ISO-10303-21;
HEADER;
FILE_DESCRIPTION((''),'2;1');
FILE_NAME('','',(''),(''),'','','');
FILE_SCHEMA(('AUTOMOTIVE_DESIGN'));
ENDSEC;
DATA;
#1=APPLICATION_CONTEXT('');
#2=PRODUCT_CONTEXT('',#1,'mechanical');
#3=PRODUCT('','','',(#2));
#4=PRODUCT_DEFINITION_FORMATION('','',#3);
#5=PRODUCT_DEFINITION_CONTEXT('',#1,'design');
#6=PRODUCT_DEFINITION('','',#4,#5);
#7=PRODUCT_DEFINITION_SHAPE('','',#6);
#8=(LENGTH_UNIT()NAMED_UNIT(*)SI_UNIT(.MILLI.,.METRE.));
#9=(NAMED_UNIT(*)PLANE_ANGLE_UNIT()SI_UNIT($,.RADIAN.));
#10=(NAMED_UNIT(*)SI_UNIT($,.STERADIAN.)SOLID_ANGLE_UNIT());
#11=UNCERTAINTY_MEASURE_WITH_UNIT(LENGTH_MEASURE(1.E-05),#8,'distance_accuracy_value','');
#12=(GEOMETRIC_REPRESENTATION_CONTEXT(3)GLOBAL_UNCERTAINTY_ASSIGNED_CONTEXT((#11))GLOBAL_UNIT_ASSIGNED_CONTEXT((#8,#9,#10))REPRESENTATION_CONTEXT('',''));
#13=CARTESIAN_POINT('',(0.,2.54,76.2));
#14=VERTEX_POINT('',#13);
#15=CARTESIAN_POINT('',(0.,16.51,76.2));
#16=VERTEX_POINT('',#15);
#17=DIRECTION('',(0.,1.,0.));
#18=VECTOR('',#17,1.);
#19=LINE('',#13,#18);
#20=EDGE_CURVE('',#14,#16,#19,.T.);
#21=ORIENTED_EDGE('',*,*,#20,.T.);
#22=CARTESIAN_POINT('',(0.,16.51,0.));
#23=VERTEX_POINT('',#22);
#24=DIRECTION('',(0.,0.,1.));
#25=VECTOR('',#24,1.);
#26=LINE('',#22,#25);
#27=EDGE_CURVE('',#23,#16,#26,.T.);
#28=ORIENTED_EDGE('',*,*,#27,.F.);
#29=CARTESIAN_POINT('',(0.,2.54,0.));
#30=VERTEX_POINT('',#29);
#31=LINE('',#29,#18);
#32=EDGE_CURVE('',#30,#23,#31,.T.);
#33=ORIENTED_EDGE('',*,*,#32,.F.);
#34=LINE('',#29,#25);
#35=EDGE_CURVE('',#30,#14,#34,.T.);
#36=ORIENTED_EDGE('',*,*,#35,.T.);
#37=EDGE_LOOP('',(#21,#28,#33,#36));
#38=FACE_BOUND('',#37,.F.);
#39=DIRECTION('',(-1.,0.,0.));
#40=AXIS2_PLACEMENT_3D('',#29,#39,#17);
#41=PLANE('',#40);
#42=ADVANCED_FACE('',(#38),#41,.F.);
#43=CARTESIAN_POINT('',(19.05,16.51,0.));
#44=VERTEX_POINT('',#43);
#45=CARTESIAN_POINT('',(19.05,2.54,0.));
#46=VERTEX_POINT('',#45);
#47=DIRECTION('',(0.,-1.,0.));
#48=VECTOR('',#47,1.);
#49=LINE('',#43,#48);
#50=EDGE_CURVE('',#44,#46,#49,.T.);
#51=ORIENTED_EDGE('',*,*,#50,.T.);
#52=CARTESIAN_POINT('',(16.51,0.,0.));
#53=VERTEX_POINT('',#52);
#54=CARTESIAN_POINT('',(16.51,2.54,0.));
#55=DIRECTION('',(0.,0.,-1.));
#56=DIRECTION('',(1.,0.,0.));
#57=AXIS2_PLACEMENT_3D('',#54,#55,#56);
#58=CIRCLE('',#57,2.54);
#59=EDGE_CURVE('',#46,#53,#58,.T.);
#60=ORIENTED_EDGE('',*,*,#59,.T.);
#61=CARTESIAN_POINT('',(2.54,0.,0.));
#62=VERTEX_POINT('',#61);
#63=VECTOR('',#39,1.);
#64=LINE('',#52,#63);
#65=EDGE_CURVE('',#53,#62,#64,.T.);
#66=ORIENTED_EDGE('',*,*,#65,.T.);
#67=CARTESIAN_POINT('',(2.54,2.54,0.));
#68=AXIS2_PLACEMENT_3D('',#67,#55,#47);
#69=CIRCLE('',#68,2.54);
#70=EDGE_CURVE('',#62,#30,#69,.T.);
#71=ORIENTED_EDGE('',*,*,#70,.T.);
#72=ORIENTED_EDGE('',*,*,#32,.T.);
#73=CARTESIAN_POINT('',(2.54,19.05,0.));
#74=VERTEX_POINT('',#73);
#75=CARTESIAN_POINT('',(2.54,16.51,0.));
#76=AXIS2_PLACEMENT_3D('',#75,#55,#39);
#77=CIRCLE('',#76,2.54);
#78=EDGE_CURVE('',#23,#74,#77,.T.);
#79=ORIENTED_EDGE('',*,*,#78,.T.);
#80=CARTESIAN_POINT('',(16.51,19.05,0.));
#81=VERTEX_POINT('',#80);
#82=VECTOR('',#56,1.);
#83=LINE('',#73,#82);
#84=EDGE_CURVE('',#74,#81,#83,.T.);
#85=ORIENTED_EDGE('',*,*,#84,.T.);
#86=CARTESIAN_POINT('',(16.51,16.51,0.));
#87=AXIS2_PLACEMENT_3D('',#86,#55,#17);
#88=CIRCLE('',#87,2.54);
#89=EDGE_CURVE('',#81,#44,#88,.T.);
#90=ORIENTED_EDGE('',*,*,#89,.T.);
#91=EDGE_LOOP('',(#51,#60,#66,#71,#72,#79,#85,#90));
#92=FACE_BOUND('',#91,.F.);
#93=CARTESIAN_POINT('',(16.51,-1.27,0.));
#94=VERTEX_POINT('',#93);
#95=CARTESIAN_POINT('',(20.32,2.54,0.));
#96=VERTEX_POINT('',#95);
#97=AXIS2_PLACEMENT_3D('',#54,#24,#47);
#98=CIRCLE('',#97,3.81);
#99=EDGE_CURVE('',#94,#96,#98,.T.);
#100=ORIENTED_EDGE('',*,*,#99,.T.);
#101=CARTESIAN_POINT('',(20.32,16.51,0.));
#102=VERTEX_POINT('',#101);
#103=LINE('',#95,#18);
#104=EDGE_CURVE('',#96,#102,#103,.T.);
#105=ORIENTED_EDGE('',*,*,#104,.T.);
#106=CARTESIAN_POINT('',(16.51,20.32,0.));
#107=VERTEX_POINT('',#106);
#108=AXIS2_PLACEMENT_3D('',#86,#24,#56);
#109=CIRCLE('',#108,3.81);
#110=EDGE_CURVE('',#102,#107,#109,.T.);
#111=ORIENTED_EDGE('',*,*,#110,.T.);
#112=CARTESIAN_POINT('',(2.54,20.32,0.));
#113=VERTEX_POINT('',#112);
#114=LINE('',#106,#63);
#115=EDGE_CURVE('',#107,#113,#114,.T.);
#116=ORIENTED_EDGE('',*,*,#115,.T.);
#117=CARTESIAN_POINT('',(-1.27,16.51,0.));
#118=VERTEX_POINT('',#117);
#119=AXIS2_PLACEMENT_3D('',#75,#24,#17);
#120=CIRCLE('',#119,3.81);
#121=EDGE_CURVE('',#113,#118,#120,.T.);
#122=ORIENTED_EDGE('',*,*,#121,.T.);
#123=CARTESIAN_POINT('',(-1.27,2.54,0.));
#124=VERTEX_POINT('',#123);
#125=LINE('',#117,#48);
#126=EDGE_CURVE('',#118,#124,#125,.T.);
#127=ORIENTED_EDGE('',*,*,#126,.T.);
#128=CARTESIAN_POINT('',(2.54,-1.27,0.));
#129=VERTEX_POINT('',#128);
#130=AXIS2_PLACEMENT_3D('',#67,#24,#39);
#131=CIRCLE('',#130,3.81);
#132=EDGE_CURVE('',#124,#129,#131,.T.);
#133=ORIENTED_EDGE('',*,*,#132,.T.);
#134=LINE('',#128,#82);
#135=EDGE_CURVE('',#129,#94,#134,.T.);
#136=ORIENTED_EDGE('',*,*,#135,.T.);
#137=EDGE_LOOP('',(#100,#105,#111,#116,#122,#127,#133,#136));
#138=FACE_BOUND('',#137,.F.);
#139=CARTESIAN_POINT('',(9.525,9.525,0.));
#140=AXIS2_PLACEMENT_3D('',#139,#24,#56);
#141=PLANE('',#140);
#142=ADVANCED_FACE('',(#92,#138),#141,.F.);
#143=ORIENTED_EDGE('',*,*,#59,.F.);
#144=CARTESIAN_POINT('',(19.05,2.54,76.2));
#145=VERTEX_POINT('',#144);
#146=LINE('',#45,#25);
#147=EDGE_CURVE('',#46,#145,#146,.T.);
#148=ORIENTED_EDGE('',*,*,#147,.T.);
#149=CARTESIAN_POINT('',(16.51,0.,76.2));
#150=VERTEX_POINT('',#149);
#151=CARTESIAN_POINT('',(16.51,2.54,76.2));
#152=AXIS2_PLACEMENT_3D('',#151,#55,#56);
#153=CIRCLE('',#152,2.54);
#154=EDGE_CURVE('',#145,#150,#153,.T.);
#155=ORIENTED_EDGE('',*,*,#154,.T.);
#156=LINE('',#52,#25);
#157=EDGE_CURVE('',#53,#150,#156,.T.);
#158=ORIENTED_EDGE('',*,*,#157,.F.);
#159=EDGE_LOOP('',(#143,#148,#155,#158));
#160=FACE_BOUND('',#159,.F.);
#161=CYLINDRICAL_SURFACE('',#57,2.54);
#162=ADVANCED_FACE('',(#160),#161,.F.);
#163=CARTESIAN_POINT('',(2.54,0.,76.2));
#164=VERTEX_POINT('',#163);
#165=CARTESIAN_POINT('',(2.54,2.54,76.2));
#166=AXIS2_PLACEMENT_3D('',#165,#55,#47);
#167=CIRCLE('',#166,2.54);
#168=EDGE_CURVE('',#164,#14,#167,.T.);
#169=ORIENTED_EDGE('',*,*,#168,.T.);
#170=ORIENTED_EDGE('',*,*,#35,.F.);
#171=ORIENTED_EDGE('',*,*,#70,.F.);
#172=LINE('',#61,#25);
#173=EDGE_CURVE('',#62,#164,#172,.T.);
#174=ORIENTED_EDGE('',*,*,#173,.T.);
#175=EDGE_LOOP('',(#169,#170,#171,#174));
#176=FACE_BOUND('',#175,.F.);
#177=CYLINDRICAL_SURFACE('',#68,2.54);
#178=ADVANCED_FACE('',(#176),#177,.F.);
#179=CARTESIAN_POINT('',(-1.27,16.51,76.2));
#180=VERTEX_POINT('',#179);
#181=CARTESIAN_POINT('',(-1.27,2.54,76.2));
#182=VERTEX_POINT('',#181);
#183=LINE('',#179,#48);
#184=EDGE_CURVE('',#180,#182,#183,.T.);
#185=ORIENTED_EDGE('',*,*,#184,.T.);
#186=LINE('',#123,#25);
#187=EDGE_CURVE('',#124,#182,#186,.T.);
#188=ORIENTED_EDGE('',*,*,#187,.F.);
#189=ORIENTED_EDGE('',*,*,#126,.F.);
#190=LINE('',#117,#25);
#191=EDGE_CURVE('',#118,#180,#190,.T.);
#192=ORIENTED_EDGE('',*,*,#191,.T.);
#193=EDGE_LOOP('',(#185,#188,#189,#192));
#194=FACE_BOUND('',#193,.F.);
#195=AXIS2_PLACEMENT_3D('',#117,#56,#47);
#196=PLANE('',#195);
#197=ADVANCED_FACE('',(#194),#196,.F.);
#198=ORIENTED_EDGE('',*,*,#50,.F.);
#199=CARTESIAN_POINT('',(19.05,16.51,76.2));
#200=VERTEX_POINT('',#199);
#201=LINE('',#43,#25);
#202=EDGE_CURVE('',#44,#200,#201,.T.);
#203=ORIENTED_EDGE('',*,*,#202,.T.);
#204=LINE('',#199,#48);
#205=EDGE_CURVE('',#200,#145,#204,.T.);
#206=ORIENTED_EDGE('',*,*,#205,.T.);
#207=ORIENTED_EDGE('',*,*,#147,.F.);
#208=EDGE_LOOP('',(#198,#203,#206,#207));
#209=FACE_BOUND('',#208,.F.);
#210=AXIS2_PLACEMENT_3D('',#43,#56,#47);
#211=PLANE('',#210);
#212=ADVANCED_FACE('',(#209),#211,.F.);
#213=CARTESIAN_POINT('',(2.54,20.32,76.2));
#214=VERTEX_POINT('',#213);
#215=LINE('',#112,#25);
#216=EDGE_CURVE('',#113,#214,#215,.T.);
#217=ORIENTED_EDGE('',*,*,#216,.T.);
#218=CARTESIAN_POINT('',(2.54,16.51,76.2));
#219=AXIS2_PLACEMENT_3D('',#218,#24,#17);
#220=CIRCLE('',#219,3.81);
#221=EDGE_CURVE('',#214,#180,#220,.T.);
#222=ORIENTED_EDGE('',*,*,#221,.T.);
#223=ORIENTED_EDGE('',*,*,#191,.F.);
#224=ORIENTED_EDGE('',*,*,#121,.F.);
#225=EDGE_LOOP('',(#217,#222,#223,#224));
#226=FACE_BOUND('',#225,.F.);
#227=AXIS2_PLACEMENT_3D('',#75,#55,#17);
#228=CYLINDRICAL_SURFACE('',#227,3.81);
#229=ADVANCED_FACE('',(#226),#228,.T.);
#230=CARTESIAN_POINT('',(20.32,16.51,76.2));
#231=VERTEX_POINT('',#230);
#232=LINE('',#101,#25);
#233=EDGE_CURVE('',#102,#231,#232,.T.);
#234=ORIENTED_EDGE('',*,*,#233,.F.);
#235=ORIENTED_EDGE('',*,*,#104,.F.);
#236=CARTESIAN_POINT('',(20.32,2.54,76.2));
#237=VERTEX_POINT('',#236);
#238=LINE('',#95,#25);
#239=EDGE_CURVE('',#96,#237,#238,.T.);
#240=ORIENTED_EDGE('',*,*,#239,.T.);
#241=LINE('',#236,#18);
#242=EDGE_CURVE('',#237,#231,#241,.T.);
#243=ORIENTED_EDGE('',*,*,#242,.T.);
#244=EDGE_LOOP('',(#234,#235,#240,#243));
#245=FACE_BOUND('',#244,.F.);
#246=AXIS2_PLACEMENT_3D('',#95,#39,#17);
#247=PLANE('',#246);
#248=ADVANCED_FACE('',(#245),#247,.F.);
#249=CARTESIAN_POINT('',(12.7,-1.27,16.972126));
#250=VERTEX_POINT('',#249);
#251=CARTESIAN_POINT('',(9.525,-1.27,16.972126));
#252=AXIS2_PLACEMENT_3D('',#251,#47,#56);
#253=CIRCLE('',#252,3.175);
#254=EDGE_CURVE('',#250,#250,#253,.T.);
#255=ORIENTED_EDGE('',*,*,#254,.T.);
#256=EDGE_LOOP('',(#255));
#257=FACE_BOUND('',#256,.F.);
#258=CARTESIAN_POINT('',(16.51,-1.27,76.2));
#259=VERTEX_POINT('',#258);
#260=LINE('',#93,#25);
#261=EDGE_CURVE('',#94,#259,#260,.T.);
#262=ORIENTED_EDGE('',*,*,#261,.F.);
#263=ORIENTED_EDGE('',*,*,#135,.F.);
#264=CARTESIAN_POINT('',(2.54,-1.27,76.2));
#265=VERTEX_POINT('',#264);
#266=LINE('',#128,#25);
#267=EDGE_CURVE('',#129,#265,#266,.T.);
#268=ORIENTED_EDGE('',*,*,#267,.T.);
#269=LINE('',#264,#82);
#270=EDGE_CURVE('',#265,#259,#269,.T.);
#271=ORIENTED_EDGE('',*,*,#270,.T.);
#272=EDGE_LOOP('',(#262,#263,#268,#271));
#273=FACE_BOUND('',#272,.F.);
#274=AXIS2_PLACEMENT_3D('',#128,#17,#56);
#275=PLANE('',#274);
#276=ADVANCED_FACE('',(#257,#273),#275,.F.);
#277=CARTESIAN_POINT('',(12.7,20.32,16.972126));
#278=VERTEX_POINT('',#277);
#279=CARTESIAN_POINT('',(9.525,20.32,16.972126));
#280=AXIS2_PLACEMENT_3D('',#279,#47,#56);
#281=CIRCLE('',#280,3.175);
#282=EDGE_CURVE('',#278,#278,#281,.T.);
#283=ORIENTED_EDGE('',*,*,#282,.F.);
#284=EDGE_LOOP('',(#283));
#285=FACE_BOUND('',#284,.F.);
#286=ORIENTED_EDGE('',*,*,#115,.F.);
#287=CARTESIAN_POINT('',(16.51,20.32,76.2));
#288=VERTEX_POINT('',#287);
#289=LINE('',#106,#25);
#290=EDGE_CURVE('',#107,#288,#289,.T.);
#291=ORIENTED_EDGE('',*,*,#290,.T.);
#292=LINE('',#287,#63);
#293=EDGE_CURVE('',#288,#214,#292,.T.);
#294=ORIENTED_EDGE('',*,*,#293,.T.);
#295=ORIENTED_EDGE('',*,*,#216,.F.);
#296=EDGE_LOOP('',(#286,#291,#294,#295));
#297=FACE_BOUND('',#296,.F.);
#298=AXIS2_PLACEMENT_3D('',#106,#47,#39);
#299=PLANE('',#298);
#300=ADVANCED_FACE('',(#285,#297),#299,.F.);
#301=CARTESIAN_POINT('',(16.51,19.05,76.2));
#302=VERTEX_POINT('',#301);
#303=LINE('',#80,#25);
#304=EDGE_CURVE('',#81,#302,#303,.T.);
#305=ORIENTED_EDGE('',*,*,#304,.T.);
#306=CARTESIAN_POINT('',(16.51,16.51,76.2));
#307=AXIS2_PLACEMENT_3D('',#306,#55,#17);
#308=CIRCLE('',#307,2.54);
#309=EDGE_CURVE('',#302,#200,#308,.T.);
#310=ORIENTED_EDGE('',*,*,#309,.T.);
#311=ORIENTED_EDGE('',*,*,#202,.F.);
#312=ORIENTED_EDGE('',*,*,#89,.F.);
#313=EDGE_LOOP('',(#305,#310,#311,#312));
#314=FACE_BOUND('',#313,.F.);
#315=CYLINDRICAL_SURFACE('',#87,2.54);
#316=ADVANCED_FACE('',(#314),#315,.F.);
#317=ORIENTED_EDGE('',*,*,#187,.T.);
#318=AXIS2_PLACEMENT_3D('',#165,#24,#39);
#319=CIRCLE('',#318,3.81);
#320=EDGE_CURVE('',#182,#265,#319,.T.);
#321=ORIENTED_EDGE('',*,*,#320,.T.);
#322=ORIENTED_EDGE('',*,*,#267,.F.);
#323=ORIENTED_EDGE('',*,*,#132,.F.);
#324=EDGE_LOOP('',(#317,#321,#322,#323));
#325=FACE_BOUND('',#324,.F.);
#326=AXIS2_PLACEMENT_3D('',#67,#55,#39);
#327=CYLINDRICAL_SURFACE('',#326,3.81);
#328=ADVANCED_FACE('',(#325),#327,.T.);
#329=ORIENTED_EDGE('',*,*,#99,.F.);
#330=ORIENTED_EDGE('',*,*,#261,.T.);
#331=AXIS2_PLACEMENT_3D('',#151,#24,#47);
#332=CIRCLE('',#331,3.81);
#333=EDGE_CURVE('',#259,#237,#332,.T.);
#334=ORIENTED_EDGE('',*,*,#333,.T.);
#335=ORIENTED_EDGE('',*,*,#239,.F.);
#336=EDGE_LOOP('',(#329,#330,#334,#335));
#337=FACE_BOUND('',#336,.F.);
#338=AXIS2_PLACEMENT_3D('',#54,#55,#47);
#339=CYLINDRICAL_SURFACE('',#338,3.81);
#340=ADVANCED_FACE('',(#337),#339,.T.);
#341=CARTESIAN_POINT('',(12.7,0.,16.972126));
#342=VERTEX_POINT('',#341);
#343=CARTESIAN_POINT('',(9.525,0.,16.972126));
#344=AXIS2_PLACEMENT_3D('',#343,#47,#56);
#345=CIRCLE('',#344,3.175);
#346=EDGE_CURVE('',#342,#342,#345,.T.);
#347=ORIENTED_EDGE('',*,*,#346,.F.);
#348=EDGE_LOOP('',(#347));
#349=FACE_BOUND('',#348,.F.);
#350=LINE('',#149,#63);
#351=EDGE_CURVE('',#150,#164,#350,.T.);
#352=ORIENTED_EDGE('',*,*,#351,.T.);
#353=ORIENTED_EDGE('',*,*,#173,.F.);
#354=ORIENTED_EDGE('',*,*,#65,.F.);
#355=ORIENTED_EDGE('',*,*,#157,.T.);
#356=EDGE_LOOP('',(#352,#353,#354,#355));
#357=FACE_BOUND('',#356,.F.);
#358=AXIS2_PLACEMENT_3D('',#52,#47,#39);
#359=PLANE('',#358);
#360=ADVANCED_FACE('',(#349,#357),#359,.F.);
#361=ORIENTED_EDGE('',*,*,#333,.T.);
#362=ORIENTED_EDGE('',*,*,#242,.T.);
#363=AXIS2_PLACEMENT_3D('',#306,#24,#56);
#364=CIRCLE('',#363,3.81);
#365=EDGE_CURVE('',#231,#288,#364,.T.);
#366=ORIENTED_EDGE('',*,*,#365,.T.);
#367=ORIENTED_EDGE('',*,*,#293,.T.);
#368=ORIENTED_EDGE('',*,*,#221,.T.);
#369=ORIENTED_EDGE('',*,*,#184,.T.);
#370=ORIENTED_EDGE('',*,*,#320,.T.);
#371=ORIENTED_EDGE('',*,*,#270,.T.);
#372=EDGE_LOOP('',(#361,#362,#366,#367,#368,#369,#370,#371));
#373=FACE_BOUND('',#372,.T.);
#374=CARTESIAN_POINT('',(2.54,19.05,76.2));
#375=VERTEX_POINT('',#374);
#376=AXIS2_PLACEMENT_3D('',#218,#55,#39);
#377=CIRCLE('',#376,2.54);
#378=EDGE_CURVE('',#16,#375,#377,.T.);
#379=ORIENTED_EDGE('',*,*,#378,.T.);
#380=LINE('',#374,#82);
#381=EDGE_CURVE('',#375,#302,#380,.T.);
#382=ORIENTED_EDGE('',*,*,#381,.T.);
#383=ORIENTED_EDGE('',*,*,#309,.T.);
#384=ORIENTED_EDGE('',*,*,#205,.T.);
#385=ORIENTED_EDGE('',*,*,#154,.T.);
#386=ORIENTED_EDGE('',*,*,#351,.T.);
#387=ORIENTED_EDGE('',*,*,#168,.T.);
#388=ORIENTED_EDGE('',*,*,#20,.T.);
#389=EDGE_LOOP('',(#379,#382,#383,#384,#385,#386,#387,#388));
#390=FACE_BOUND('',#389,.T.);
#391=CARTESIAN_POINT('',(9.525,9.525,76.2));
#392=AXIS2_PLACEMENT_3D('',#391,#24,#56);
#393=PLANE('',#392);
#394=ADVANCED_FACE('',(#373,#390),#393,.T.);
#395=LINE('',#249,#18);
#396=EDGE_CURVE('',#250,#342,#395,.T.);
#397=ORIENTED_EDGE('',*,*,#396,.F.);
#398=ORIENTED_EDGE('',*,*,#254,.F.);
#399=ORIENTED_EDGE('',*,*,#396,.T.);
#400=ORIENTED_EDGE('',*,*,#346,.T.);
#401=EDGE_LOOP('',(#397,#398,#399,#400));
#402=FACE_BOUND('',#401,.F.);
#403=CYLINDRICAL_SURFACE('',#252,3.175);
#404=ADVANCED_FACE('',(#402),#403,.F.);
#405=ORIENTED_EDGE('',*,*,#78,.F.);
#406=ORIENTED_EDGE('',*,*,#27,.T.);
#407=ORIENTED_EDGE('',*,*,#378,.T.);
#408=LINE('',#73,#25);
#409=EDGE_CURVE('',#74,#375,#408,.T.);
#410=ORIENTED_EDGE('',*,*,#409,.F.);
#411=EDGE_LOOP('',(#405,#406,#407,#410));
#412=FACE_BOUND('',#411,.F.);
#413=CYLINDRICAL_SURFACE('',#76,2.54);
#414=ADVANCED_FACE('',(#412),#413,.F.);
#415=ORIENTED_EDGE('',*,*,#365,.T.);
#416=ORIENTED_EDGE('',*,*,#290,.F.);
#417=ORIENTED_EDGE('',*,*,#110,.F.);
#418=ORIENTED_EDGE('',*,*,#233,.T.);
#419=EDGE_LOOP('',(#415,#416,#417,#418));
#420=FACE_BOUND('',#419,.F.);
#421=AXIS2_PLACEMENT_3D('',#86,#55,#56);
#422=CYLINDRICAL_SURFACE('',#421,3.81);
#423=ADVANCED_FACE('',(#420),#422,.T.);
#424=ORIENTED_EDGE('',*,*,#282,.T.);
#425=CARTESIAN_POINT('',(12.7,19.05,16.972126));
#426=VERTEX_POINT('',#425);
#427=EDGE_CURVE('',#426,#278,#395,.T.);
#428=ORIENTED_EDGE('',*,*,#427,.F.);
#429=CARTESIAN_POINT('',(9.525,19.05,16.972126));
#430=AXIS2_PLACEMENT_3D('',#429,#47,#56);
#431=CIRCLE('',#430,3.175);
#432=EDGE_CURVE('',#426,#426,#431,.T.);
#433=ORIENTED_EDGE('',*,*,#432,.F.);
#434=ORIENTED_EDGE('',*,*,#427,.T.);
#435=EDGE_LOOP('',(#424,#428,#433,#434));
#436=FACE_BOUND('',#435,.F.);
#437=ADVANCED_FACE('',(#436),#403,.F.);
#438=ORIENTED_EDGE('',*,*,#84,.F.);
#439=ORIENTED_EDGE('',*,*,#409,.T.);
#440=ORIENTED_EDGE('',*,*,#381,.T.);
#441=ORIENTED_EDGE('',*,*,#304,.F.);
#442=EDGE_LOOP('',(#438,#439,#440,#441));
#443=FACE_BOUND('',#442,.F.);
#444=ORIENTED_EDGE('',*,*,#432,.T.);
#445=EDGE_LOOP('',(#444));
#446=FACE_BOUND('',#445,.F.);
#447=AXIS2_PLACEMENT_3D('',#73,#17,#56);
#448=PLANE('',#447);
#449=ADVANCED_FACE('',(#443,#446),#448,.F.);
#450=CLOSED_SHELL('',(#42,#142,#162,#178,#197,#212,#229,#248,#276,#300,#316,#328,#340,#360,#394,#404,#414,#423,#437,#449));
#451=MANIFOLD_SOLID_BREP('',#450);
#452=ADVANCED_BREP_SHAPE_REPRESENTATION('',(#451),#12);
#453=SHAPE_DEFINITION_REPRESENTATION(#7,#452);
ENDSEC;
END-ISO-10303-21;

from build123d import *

# Parameters (mm, degrees)
F1_DEPTH = 76.2
F2_R     = 3.175
F3_DEPTH = 21.5910002539


with BuildPart() as f1:
    # F0 (on Top) → F1 (new body)
    with BuildSketch(Plane.XY):
        with BuildLine():
            Line((16.51, 20.320000127), (2.54, 20.320000127))
            ThreePointArc((2.54, 20.320000127), (-0.1540769261, 19.2040769261), (-1.270000127, 16.51))
            Line((-1.270000127, 16.51), (-1.270000127, 2.54))
            ThreePointArc((-1.270000127, 2.54), (-0.1540769261, -0.1540769261), (2.54, -1.270000127))
            Line((2.54, -1.270000127), (16.51, -1.270000127))
            ThreePointArc((16.51, -1.270000127), (19.2040769261, -0.1540769261), (20.320000127, 2.54))
            Line((20.320000127, 2.54), (20.320000127, 16.51))
            ThreePointArc((20.320000127, 16.51), (19.2040769261, 19.2040769261), (16.51, 20.320000127))
        make_face()
        with BuildLine():
            Line((16.51, 0), (2.54, 0))
            ThreePointArc((2.54, 0), (0.7439487758, 0.7439487758), (0, 2.54))
            Line((0, 2.54), (0, 16.51))
            ThreePointArc((0, 16.51), (0.7439487758, 18.3060512242), (2.54, 19.05))
            Line((2.54, 19.05), (16.51, 19.05))
            ThreePointArc((16.51, 19.05), (18.3060512242, 18.3060512242), (19.05, 16.51))
            Line((19.05, 16.51), (19.05, 2.54))
            ThreePointArc((19.05, 2.54), (18.3060512242, 0.7439487758), (16.51, 0))
        make_face(mode=Mode.SUBTRACT)
    extrude(amount=F1_DEPTH)

    # F2 (on face) → F3 (cut, through all)
    with BuildSketch(Plane.XZ.offset(1.270000127)):
        with Locations((9.525, 16.9721264392)):
            Circle(F2_R)
    extrude(amount=-F3_DEPTH, mode=Mode.SUBTRACT)


solid = f1.part
